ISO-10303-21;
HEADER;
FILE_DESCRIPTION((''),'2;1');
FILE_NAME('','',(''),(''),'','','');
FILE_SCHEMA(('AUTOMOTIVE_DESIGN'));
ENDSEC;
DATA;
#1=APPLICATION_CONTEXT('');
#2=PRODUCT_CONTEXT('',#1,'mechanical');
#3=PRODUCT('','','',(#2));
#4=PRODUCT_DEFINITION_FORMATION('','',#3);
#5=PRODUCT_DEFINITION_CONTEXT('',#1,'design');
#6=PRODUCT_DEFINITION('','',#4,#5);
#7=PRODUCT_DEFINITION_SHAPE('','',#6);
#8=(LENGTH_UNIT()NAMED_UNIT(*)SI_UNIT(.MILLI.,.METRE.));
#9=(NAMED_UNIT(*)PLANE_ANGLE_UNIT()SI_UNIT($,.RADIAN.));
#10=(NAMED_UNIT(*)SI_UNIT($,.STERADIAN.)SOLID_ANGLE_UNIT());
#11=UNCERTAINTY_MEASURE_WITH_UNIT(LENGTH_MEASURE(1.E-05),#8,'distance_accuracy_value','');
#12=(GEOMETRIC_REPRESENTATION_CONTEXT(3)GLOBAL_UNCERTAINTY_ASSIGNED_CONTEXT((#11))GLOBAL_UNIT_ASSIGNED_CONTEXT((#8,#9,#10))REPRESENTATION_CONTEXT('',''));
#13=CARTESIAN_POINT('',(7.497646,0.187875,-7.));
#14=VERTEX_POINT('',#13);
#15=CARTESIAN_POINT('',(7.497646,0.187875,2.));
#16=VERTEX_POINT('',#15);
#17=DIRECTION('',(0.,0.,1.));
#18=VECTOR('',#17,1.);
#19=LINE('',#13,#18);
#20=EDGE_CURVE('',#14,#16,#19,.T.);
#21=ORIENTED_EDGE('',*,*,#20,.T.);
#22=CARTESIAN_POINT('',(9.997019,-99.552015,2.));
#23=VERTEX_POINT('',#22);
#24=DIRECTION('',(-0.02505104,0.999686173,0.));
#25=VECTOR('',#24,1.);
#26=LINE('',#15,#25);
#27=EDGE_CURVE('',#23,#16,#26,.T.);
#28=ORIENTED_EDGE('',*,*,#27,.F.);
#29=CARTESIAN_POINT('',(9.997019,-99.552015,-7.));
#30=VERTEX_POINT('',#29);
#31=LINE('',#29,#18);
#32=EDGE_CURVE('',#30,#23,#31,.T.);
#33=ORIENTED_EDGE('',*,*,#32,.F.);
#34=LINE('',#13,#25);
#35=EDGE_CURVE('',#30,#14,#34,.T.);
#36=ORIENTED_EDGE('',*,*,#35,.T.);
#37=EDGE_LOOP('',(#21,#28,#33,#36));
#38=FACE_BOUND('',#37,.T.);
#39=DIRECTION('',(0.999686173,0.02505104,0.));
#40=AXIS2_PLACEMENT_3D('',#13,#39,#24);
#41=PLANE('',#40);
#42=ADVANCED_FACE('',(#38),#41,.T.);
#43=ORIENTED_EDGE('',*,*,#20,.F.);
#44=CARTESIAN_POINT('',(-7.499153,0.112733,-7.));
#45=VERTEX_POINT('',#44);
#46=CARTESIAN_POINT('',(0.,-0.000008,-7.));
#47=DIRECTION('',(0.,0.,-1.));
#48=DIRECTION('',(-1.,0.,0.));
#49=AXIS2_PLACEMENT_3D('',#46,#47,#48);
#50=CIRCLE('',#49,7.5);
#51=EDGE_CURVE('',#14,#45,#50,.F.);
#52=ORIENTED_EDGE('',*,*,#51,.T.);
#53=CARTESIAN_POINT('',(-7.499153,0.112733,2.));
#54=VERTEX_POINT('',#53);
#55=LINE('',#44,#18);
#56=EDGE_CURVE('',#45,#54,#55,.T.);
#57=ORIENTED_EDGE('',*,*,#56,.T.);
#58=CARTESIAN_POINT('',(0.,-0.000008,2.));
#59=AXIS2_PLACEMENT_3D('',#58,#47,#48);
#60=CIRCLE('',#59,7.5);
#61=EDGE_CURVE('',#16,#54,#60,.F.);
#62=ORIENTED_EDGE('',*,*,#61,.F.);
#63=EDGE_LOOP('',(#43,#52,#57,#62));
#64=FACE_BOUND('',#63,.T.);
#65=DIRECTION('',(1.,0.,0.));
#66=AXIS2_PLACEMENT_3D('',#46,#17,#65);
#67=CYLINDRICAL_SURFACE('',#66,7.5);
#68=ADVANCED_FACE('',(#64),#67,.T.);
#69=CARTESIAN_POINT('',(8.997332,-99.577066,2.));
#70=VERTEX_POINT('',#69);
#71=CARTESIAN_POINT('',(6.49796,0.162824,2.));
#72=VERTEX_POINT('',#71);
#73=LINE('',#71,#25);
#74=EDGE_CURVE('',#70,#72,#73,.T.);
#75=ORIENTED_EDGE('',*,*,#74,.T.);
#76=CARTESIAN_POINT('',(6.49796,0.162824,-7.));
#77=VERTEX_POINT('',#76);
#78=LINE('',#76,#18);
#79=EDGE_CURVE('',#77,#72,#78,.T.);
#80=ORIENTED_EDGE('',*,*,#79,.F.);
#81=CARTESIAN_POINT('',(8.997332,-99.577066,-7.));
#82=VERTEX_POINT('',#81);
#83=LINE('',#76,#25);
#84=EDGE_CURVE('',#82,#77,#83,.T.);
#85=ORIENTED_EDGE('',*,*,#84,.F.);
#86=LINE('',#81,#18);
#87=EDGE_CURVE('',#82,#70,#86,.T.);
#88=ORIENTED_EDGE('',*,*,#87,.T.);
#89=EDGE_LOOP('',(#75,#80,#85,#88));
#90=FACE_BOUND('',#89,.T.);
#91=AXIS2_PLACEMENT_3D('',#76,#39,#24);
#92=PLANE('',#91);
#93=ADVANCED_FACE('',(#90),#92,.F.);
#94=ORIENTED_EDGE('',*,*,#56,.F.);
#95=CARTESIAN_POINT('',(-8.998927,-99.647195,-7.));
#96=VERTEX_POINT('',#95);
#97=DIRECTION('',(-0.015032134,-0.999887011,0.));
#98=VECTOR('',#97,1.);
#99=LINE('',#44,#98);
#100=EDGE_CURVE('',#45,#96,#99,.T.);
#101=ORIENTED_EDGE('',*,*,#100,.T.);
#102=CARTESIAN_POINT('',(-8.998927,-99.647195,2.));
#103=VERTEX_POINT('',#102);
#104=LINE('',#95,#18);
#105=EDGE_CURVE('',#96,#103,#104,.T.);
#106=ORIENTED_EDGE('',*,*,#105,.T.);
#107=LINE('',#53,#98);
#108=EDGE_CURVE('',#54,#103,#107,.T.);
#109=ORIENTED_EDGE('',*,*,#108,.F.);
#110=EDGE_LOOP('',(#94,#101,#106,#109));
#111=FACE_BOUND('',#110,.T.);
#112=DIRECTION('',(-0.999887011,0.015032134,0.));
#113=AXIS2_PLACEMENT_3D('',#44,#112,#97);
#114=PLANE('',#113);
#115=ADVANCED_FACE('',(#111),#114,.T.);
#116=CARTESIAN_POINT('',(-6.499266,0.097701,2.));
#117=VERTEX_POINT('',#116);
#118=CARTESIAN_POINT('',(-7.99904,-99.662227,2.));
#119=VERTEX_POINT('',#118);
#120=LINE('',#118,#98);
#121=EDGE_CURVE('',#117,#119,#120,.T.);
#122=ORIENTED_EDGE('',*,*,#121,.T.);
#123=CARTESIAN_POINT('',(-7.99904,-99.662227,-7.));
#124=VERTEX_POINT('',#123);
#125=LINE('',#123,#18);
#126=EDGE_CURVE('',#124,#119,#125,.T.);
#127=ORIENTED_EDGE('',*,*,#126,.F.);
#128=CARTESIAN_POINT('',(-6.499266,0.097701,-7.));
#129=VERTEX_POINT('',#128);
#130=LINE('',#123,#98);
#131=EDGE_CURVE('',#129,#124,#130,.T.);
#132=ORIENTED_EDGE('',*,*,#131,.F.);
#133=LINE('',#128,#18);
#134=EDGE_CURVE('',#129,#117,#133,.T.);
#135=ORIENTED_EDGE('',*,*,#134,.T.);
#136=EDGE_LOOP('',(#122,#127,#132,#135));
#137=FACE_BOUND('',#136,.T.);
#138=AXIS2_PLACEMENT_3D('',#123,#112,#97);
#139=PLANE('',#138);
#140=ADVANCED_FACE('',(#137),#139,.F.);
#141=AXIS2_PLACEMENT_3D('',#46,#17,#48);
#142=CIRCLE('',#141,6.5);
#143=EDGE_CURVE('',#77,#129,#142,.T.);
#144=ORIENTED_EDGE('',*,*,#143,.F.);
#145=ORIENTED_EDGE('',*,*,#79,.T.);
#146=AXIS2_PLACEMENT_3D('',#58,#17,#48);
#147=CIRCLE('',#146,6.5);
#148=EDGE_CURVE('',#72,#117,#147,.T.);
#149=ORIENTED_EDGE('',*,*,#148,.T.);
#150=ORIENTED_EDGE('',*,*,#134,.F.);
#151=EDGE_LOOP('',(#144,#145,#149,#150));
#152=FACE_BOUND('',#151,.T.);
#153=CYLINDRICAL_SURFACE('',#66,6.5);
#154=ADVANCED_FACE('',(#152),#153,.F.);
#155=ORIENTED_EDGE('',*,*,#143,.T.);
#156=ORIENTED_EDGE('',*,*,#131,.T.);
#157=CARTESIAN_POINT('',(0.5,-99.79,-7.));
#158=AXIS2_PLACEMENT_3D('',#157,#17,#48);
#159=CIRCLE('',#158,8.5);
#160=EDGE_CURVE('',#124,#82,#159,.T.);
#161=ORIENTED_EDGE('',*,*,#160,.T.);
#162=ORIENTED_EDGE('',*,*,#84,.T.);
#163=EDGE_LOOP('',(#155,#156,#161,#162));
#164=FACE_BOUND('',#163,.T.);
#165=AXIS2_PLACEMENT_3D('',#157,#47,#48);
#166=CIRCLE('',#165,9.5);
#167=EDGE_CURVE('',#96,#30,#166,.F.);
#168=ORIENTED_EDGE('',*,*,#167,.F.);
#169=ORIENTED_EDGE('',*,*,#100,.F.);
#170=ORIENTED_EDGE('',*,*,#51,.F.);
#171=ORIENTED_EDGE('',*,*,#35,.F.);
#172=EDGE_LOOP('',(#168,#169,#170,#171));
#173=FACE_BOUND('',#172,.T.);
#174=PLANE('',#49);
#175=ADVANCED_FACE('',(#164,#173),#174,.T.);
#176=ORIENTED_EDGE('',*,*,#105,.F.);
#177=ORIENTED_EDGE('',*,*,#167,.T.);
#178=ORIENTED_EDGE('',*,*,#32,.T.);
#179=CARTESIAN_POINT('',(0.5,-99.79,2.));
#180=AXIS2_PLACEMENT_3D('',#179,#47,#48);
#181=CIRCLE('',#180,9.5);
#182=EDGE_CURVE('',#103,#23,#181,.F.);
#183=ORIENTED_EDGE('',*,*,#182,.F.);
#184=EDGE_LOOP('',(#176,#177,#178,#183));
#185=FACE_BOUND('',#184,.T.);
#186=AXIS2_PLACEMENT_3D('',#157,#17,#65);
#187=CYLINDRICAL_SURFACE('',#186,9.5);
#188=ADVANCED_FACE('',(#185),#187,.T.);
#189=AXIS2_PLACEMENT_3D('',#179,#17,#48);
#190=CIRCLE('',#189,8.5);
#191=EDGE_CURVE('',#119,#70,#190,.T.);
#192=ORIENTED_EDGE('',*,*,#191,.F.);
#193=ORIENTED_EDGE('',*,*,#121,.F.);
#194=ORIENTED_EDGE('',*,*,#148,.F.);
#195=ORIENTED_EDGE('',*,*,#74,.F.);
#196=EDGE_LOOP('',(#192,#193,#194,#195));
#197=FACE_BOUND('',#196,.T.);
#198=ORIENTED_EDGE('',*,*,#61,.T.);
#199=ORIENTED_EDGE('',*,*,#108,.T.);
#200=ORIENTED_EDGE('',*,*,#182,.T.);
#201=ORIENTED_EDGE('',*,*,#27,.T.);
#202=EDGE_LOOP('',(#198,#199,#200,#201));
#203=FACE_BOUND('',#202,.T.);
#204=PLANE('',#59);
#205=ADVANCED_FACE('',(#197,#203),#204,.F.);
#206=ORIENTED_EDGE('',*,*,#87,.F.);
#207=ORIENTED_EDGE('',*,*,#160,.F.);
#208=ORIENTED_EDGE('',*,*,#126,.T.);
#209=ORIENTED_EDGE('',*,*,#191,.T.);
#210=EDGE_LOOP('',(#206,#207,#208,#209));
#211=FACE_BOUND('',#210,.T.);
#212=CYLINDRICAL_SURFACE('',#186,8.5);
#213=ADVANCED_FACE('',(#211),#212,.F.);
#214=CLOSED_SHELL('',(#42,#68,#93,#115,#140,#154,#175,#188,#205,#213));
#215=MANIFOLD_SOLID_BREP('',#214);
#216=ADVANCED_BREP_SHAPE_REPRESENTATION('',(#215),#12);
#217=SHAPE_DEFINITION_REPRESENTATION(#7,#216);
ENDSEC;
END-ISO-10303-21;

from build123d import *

# Parameters (mm, degrees)
EXTRUDE_THIN1_START = 2
EXTRUDE_THIN1_DEPTH = 9


with BuildPart() as part:
    # Sketch2 → Extrude-Thin1 (new body)
    with BuildSketch(Plane.XY.offset(EXTRUDE_THIN1_START)):
        with BuildLine():
            Line((-8.998926605, -99.647194726), (-7.499152537, 0.112733154))
            ThreePointArc((-7.499152537, 0.112733154), (-0.037578397, 7.499898006), (7.497646347, 0.187874946))
            Line((7.497646347, 0.187874946), (9.997018648, -99.552015124))
            ThreePointArc((9.997018648, -99.552015124), (0.547599362, -109.289880752), (-8.998926605, -99.647194726))
        make_face()
        with BuildLine():
            Line((-7.999039594, -99.66222686), (-6.499265526, 0.09770102))
            ThreePointArc((-6.499265526, 0.09770102), (-0.032567938, 6.499910558), (6.497960174, 0.162823906))
            Line((6.497960174, 0.162823906), (8.997332474, -99.577066164))
            ThreePointArc((8.997332474, -99.577066164), (0.542588903, -108.289893304), (-7.999039594, -99.66222686))
        make_face(mode=Mode.SUBTRACT)
    extrude(amount=-EXTRUDE_THIN1_DEPTH)


solid = part.part
